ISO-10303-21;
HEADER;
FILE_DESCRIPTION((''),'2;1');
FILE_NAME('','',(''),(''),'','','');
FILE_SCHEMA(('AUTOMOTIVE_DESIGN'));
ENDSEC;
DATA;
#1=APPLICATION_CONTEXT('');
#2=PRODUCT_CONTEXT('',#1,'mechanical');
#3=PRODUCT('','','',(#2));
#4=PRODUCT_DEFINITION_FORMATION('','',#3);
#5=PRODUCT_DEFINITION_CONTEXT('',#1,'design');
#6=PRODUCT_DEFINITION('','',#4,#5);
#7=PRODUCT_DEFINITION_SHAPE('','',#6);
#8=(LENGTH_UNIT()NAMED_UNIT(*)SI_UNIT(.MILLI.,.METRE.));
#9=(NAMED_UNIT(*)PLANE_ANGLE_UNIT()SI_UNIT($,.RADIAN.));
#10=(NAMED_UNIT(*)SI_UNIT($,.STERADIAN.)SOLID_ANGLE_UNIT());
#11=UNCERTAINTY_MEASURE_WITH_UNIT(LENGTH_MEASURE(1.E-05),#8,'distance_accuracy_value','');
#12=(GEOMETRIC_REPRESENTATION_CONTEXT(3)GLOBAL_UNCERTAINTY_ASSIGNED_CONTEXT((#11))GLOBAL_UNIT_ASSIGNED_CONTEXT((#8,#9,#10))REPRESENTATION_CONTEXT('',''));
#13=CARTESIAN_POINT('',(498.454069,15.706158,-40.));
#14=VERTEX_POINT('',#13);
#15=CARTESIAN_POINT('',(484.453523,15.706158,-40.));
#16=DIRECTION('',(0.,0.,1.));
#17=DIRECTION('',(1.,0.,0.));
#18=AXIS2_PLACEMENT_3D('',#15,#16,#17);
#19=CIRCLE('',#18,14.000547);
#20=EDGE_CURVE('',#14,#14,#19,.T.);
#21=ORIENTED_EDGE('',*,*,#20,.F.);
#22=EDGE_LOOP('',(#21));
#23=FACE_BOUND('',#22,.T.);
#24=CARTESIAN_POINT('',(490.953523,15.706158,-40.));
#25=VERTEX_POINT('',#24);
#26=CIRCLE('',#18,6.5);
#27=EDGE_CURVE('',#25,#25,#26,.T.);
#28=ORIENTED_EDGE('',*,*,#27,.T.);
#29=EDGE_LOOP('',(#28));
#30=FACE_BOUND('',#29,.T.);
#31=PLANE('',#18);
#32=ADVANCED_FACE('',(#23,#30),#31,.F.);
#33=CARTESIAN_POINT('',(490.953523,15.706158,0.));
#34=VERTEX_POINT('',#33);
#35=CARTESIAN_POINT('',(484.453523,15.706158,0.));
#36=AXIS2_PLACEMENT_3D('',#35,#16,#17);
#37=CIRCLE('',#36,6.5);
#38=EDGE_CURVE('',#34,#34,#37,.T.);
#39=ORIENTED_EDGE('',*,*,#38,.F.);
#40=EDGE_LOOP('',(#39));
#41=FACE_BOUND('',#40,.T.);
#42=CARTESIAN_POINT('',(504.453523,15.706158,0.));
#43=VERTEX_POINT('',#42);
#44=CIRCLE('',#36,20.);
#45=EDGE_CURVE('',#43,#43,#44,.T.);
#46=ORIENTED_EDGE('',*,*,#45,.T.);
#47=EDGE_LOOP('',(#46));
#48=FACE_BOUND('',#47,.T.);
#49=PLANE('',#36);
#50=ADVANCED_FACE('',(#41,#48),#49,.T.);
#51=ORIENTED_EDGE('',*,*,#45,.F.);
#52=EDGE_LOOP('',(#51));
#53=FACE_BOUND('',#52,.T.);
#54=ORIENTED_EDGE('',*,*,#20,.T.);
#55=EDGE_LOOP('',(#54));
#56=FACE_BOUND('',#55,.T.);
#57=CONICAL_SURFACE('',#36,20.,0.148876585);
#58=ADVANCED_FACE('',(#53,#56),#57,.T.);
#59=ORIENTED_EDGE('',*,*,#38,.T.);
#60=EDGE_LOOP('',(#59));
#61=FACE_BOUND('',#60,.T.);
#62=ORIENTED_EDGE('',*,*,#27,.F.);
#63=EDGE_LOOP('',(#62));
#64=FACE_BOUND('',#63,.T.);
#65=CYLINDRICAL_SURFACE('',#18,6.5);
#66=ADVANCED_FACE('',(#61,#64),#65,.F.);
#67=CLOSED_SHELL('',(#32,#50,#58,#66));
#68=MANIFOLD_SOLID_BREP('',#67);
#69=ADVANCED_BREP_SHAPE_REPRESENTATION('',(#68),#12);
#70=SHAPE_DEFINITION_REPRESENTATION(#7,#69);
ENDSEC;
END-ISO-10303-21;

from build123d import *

# Parameters (mm, degrees)
SKETCH1_R           = 20
BOSS_EXTRUDE1_DEPTH = 40
BOSS_EXTRUDE1_DRAFT = -8.53
SKETCH2_R           = 6.5
CUT_EXTRUDE1_DEPTH  = 508.295068404


with BuildPart() as part:
    # Sketch1 → Boss-Extrude1 (with draft: the straight prism first)
    with BuildSketch(Plane.XY):
        with Locations((484.453522857, 15.706157787)):
            Circle(SKETCH1_R)
    extrude(amount=-BOSS_EXTRUDE1_DEPTH)
    # Boss-Extrude1: the draft: its side faces are tilted about the plane it starts from
    boss_extrude1_sides = [part.faces().sort_by_distance(p)[0] for p in [
        (464.453522857, 15.706157787, -20),
    ]]
    draft(boss_extrude1_sides, Plane.XY, BOSS_EXTRUDE1_DRAFT)

    # Sketch2 → Cut-Extrude1 (cut, through all)
    with BuildSketch(Plane.XY):
        with Locations((484.453522857, 15.706157787)):
            Circle(SKETCH2_R)
    extrude(amount=-CUT_EXTRUDE1_DEPTH, mode=Mode.SUBTRACT)


solid = part.part
